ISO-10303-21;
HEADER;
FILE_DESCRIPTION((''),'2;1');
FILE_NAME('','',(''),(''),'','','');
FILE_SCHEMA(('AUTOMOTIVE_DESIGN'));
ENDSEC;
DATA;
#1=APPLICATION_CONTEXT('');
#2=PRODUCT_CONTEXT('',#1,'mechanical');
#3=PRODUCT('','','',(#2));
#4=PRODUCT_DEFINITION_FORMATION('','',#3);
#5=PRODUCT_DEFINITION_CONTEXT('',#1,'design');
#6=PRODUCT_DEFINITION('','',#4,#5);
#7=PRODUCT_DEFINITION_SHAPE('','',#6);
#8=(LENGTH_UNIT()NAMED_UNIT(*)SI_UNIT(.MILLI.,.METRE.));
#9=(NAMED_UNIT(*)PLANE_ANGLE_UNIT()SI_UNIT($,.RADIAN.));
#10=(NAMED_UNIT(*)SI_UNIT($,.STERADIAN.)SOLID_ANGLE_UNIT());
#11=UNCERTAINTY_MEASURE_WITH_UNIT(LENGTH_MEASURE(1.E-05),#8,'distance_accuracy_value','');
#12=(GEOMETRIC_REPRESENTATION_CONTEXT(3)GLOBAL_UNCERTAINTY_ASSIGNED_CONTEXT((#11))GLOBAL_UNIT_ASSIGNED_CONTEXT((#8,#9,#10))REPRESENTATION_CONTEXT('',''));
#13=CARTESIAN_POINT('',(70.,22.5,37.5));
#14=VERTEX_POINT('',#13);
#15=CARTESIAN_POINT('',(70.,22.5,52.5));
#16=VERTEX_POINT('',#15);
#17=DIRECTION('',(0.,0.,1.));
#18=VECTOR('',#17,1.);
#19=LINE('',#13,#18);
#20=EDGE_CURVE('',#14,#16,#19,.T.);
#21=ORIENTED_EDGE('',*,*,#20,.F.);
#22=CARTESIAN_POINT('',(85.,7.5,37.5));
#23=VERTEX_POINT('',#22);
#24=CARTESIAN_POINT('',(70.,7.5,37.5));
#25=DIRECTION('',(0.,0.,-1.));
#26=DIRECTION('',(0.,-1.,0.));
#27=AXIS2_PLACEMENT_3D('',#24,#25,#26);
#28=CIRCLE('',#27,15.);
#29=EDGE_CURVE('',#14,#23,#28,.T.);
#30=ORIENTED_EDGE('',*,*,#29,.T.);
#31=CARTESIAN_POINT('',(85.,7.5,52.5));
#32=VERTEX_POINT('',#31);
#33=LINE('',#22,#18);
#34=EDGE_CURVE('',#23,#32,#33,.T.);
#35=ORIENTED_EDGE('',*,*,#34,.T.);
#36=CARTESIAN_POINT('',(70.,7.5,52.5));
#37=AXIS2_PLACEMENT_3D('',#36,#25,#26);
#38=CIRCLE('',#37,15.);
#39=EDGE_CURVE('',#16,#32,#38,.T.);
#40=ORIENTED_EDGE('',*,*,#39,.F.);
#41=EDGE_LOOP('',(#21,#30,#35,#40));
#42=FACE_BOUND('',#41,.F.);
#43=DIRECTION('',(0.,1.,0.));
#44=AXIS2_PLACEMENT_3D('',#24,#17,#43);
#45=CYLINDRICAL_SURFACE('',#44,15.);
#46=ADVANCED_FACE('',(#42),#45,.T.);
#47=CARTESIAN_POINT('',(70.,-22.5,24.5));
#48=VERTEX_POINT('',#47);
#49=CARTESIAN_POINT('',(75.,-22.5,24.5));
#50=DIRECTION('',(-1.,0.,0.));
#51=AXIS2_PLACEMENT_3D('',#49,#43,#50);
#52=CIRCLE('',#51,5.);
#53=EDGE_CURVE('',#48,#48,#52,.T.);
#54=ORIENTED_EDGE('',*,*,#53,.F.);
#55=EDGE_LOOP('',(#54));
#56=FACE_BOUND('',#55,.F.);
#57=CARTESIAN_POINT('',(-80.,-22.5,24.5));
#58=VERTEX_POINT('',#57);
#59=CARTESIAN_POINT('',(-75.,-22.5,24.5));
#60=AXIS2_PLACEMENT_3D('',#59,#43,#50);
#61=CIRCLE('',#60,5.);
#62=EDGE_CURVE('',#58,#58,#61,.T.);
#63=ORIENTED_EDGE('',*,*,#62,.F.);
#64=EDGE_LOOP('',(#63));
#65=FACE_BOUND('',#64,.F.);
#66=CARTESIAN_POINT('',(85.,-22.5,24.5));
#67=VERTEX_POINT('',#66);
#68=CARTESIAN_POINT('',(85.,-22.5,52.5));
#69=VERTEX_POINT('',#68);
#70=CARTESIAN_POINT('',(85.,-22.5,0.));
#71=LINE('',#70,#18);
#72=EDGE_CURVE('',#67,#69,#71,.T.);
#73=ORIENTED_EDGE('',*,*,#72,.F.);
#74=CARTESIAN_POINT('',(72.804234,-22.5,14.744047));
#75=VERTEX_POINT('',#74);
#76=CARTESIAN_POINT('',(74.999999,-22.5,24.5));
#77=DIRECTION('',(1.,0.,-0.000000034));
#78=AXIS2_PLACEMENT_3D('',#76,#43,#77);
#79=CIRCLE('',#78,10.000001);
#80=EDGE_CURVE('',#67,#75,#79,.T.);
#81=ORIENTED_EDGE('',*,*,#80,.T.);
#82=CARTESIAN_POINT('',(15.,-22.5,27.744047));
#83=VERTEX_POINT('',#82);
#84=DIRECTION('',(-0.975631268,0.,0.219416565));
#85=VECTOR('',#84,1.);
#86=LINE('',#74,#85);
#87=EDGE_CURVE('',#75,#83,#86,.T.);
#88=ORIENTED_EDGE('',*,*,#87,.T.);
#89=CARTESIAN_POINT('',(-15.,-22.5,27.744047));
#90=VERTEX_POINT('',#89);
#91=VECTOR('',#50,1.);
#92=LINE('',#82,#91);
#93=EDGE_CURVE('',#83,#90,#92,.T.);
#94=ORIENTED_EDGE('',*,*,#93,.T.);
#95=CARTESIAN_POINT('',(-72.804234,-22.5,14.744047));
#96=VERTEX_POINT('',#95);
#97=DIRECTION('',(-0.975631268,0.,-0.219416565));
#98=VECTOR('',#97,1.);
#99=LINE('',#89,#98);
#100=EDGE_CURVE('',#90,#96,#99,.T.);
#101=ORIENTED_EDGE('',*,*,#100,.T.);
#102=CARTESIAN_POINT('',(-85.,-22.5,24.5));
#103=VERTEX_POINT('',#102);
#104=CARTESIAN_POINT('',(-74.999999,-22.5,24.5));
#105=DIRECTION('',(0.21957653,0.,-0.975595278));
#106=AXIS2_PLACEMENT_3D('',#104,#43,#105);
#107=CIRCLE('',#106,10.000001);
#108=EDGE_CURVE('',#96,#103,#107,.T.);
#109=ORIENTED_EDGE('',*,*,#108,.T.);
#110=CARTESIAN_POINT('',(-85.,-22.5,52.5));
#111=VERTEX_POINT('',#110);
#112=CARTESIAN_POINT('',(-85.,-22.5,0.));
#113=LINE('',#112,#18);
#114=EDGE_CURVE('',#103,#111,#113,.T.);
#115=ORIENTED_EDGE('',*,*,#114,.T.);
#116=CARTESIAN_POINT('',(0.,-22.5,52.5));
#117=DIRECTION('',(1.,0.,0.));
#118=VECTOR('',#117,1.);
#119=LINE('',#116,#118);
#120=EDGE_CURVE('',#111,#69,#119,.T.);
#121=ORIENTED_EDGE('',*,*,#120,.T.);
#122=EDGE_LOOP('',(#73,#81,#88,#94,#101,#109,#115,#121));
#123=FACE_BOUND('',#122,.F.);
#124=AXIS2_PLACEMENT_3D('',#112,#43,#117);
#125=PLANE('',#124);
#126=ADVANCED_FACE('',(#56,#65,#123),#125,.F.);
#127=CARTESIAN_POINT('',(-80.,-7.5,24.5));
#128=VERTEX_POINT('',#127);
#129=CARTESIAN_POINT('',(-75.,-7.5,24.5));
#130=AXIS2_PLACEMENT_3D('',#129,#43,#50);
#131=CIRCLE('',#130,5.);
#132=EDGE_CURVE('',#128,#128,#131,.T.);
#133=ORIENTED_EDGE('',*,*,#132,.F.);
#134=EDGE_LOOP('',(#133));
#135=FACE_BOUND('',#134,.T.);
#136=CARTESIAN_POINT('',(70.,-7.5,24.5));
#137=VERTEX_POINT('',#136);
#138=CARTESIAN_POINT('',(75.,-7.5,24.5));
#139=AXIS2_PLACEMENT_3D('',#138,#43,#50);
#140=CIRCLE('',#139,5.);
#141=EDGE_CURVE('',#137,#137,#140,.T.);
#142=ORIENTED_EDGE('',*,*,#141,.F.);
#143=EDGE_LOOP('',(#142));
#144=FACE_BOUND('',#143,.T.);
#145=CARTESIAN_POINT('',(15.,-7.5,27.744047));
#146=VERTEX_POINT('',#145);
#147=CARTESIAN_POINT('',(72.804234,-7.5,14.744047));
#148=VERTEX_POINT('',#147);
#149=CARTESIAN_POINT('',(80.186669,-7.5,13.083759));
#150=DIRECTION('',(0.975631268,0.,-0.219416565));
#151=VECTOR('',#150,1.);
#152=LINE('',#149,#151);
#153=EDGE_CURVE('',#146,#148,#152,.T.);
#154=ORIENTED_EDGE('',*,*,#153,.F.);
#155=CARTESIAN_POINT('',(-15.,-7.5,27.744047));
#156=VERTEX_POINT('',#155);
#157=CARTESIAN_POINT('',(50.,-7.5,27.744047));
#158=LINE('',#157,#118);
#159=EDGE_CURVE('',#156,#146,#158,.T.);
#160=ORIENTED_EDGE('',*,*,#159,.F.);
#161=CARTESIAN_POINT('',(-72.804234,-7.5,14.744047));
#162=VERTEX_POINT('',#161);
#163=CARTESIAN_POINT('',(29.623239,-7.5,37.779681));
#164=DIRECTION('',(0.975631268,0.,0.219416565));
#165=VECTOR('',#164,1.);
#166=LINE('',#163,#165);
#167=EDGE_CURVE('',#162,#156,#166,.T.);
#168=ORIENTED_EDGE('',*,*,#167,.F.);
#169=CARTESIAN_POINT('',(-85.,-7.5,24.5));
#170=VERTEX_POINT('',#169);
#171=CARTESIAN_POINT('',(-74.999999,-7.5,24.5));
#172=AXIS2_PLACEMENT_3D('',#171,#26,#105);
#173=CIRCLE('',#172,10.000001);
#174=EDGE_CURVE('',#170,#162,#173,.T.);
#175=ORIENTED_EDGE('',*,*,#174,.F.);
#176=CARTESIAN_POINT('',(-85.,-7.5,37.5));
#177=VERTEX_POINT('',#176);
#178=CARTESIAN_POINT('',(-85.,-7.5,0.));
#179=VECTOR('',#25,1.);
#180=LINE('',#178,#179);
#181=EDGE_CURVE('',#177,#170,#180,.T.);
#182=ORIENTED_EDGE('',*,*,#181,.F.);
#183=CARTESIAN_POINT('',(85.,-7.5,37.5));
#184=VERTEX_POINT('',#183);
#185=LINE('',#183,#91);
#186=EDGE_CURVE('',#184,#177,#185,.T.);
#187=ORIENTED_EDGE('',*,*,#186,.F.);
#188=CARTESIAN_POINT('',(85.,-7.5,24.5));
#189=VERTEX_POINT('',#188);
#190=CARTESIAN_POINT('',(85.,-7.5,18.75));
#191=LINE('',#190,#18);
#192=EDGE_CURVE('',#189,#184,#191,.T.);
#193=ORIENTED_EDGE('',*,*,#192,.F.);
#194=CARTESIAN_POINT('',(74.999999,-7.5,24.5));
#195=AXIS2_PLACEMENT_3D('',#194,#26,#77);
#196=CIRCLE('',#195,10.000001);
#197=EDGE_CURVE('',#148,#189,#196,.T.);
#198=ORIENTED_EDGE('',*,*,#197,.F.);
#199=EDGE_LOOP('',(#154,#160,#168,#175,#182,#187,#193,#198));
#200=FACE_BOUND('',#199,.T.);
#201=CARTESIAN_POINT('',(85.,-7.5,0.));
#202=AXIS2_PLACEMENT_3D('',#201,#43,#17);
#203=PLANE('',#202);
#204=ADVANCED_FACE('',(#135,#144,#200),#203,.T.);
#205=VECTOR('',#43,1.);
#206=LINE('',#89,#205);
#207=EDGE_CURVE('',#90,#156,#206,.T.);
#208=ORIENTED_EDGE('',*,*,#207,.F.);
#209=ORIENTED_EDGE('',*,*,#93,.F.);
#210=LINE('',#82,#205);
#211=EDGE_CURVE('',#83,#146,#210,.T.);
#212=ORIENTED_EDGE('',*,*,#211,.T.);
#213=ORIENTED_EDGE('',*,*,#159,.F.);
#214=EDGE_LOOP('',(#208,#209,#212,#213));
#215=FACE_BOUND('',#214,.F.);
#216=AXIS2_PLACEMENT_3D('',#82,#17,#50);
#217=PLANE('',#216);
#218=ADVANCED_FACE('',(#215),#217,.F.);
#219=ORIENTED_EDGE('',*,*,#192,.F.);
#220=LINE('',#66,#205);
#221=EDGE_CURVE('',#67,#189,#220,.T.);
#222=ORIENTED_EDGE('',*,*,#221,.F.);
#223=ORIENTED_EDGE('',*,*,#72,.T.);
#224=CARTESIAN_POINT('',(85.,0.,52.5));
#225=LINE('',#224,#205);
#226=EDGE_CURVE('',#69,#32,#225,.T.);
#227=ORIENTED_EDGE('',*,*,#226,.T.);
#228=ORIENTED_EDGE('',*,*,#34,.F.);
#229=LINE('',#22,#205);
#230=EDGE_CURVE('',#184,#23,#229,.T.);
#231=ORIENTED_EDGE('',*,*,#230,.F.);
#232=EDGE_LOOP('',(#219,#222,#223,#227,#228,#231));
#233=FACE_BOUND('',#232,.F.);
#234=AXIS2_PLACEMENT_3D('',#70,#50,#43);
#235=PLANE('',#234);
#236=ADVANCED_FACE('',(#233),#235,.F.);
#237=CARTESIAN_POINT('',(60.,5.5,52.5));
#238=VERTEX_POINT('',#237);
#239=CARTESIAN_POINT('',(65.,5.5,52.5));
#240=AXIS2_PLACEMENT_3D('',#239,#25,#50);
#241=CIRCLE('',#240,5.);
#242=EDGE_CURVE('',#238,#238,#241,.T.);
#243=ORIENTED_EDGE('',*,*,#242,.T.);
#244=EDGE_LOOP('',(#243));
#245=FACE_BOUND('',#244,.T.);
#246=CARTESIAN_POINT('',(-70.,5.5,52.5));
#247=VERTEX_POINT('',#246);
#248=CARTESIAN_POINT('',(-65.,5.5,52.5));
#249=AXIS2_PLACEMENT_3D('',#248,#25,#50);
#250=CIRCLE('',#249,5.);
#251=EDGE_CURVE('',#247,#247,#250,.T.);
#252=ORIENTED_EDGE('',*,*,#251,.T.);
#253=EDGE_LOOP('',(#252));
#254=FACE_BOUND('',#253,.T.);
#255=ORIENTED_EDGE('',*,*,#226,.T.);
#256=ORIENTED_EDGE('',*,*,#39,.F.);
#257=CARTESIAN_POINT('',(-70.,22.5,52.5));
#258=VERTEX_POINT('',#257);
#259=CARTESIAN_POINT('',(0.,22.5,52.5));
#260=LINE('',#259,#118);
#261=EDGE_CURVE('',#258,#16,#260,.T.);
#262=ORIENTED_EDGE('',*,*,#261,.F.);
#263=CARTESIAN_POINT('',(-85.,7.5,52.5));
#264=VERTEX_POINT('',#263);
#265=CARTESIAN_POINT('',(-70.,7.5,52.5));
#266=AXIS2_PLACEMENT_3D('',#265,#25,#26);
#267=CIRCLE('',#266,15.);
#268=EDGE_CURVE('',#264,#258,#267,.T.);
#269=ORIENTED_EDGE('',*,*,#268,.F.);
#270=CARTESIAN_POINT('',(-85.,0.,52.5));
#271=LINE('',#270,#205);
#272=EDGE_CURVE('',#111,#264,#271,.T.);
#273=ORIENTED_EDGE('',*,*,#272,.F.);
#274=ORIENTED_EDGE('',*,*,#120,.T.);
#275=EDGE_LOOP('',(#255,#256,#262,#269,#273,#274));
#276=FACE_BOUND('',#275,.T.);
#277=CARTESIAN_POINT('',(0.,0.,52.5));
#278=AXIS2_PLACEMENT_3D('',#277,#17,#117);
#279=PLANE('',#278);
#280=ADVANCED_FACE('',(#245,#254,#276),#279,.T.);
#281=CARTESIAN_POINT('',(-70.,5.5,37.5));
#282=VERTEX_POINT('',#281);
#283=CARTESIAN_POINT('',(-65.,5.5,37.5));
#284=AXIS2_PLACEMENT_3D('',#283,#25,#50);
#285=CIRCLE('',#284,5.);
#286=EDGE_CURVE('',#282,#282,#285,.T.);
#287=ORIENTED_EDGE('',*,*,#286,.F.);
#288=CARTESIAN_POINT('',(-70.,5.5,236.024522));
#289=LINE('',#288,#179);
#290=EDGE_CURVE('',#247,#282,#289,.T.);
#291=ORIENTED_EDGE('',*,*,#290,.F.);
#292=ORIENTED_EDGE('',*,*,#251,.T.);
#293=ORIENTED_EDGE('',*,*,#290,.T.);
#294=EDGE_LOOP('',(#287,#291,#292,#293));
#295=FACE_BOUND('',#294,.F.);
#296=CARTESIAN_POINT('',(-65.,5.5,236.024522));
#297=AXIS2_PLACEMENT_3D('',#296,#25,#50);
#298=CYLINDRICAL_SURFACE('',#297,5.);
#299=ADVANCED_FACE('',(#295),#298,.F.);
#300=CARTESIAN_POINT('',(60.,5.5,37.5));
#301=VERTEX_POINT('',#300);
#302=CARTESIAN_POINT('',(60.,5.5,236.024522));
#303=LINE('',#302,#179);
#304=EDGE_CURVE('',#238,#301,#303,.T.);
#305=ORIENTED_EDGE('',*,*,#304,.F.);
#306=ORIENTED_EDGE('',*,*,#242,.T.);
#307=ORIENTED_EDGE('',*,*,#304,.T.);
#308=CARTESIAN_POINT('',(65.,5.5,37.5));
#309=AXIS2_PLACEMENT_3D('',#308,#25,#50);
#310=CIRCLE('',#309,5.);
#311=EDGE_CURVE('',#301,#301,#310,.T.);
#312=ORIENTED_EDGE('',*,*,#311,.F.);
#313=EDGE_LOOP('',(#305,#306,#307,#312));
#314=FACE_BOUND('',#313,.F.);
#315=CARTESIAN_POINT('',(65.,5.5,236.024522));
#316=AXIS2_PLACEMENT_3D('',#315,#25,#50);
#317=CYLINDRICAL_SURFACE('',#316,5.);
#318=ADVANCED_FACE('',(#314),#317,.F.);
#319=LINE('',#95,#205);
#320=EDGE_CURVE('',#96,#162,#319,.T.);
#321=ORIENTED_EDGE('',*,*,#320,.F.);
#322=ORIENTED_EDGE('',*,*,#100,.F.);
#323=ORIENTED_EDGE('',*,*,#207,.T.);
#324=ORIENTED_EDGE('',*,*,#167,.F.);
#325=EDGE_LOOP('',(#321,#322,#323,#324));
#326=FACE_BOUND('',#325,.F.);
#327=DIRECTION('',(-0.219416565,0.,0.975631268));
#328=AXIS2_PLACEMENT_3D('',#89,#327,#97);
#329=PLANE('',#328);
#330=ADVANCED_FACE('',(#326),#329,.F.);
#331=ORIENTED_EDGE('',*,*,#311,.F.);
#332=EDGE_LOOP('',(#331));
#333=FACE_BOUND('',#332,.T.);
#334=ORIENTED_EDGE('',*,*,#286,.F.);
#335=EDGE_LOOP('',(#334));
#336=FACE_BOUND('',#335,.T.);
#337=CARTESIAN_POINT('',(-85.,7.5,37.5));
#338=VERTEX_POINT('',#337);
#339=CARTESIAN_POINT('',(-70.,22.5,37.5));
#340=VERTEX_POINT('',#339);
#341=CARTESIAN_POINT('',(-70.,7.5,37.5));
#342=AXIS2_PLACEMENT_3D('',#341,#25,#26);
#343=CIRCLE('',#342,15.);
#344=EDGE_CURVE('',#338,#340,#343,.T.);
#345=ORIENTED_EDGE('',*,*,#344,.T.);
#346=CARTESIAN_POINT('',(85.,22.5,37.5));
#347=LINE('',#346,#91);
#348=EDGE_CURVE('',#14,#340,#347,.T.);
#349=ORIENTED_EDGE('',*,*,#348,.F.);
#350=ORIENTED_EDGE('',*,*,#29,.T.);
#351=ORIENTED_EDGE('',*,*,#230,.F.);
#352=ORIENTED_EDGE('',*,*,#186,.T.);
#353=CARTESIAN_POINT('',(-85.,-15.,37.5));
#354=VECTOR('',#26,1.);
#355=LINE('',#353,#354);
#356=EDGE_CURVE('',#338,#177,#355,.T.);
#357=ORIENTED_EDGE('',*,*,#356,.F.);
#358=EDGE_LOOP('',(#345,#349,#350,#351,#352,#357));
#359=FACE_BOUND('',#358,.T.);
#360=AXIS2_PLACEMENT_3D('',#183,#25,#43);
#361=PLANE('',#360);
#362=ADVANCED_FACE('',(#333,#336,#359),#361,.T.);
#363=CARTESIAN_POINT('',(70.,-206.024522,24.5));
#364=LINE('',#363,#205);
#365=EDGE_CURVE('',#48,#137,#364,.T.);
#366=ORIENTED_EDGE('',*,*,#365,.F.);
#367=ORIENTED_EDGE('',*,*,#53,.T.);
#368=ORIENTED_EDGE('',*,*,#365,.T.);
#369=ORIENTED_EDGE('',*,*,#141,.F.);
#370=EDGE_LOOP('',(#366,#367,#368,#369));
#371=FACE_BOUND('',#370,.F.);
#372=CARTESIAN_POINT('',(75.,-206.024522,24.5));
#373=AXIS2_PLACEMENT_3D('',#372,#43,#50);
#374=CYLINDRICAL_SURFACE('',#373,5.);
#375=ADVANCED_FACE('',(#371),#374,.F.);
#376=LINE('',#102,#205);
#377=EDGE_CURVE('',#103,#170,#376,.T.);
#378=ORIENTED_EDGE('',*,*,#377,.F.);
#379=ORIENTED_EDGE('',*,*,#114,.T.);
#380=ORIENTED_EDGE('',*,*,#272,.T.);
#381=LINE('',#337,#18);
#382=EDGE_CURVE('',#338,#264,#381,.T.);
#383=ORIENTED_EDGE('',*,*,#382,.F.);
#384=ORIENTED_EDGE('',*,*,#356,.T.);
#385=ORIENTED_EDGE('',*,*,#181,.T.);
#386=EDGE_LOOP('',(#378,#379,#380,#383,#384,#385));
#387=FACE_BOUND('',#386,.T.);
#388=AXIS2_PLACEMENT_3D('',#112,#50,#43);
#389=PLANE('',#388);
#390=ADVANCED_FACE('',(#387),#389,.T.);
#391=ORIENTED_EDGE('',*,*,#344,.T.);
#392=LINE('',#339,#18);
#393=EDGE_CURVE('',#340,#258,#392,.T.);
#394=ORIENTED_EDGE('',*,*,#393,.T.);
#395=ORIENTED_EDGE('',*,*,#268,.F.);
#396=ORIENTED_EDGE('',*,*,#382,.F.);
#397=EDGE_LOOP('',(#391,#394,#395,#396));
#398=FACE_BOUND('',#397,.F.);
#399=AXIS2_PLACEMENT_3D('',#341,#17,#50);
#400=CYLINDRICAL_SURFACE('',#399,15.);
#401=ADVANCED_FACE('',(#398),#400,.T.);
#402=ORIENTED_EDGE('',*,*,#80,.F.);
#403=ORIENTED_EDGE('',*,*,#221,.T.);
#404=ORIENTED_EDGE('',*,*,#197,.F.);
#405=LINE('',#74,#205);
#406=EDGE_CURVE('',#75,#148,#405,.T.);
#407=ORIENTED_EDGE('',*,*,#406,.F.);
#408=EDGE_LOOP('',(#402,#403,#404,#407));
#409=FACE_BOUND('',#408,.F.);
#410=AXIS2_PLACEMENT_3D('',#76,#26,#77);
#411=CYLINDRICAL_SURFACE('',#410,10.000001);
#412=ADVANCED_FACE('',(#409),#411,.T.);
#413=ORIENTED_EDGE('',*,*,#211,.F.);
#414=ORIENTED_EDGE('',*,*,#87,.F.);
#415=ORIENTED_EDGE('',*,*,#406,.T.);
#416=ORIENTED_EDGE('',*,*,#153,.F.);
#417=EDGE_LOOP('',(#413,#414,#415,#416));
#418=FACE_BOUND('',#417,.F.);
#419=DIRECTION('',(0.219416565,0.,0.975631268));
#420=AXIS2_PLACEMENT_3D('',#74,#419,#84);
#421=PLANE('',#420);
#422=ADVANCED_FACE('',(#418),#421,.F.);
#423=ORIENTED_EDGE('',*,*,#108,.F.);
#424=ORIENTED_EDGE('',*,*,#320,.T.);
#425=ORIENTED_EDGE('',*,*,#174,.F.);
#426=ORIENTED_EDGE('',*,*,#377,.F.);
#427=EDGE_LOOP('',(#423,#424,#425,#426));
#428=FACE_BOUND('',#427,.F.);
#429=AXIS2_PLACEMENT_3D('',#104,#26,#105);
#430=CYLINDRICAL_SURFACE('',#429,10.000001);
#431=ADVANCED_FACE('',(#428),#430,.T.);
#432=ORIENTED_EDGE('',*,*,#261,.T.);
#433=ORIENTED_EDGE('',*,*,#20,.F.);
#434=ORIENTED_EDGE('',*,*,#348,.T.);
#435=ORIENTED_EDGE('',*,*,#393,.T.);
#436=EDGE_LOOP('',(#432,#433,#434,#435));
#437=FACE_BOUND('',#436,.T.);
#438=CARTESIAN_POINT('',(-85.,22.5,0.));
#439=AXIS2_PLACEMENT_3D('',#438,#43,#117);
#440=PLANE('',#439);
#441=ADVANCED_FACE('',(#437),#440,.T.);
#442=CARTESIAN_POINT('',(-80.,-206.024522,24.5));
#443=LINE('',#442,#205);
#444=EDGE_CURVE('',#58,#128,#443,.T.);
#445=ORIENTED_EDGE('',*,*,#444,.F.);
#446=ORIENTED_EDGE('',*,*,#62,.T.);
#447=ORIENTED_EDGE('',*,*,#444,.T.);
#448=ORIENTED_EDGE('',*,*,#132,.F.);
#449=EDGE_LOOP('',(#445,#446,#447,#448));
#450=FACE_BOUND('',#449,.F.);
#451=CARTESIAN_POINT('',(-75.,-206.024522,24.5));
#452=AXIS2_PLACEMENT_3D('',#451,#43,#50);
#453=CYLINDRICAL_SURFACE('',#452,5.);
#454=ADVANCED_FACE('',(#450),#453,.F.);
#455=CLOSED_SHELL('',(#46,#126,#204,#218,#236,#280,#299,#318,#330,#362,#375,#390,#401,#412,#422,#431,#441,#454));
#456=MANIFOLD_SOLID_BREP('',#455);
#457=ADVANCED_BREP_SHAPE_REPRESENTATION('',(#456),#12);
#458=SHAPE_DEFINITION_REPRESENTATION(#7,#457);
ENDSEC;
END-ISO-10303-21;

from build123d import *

# Parameters (mm, degrees)
F0_W      = 170
F0_H      = 45
F1_DEPTH  = 52.5
F3_D      = 10
F5_DEPTH  = 45.001
F6_W      = 30
F6_H      = 37.5
F7_DEPTH  = 170.001
F9_D      = 10
F11_DEPTH = 45.001
F12_R     = 15
F14_DEPTH = 15
F16_DEPTH = 25


with BuildPart() as f1:
    # F0 (on Top) → F1 (new body)
    with BuildSketch(Plane.XY):
        Rectangle(F0_W, F0_H)
    extrude(amount=F1_DEPTH)

    # F3 (through all)
    with Locations(Plane.XY.offset(52.5)):
        with Locations((-65, 5.5), (65, 5.5)):
            Hole(F3_D / 2)

    # F4 (on face) → F5 (cut, through all)
    with BuildSketch(Plane.XZ.offset(22.5)):
        with BuildLine():
            Line((-85, 0), (85, 0))
            ThreePointArc((85, 0), (0, 27.5), (-85, 0))
        make_face()
    extrude(amount=-F5_DEPTH, mode=Mode.SUBTRACT)

    # F6 (on face) → F7 (cut, through all)
    with BuildSketch(Plane.YZ.offset(85)):
        with Locations((7.5, 18.75)):
            Rectangle(F6_W, F6_H)
    extrude(amount=-F7_DEPTH, mode=Mode.SUBTRACT)

    # F9 (through all)
    with Locations(Plane.XZ.offset(22.5)):
        with Locations((-75, 24.5), (75, 24.5)):
            Hole(F9_D / 2)

    # F10 (on face) → F11 (cut, through all)
    with BuildSketch(Plane.XZ.offset(22.5)):
        with BuildLine():
            ThreePointArc((85, 24.5), (81.246693, 16.691106), (72.804234, 14.744047))
            Line((72.804234, 14.744047), (31.863562, 23.958539))
            Line((31.863562, 23.958539), (85, 0))
            Line((85, 0), (85, 24.5))
        make_face()
        with BuildLine():
            ThreePointArc((-72.804234, 14.744047), (-81.246693, 16.691106), (-85, 24.5))
            Line((-85, 24.5), (-85, 0))
            Line((-85, 0), (-31.863562, 23.958539))
            Line((-31.863562, 23.958539), (-72.804234, 14.744047))
        make_face()
    extrude(amount=-F11_DEPTH, mode=Mode.SUBTRACT)

    # F12
    f12_edges = [f1.edges().sort_by_distance(p)[0] for p in [
        (85, 22.5, 45),
        (-85, 22.5, 45),
    ]]
    fillet(f12_edges, radius=F12_R)

    # F13 (on face) → F14 (join, through all)
    with BuildSketch(Plane.XZ.offset(22.5)):
        Polygon((-48.969162, 34.744047), (-72.804234, 14.744047), (72.804234, 14.744047), (48.969162, 34.744047), align=None)
    extrude(amount=-F14_DEPTH)

    # F15 (on face) → F16 (cut)
    with BuildSketch(Plane.XZ.offset(22.5)):
        Polygon((-15, 27.744047), (-72.804234, 14.744047), (72.804234, 14.744047), (15, 27.744047), align=None)
    extrude(amount=-F16_DEPTH, mode=Mode.SUBTRACT)


solid = f1.part
